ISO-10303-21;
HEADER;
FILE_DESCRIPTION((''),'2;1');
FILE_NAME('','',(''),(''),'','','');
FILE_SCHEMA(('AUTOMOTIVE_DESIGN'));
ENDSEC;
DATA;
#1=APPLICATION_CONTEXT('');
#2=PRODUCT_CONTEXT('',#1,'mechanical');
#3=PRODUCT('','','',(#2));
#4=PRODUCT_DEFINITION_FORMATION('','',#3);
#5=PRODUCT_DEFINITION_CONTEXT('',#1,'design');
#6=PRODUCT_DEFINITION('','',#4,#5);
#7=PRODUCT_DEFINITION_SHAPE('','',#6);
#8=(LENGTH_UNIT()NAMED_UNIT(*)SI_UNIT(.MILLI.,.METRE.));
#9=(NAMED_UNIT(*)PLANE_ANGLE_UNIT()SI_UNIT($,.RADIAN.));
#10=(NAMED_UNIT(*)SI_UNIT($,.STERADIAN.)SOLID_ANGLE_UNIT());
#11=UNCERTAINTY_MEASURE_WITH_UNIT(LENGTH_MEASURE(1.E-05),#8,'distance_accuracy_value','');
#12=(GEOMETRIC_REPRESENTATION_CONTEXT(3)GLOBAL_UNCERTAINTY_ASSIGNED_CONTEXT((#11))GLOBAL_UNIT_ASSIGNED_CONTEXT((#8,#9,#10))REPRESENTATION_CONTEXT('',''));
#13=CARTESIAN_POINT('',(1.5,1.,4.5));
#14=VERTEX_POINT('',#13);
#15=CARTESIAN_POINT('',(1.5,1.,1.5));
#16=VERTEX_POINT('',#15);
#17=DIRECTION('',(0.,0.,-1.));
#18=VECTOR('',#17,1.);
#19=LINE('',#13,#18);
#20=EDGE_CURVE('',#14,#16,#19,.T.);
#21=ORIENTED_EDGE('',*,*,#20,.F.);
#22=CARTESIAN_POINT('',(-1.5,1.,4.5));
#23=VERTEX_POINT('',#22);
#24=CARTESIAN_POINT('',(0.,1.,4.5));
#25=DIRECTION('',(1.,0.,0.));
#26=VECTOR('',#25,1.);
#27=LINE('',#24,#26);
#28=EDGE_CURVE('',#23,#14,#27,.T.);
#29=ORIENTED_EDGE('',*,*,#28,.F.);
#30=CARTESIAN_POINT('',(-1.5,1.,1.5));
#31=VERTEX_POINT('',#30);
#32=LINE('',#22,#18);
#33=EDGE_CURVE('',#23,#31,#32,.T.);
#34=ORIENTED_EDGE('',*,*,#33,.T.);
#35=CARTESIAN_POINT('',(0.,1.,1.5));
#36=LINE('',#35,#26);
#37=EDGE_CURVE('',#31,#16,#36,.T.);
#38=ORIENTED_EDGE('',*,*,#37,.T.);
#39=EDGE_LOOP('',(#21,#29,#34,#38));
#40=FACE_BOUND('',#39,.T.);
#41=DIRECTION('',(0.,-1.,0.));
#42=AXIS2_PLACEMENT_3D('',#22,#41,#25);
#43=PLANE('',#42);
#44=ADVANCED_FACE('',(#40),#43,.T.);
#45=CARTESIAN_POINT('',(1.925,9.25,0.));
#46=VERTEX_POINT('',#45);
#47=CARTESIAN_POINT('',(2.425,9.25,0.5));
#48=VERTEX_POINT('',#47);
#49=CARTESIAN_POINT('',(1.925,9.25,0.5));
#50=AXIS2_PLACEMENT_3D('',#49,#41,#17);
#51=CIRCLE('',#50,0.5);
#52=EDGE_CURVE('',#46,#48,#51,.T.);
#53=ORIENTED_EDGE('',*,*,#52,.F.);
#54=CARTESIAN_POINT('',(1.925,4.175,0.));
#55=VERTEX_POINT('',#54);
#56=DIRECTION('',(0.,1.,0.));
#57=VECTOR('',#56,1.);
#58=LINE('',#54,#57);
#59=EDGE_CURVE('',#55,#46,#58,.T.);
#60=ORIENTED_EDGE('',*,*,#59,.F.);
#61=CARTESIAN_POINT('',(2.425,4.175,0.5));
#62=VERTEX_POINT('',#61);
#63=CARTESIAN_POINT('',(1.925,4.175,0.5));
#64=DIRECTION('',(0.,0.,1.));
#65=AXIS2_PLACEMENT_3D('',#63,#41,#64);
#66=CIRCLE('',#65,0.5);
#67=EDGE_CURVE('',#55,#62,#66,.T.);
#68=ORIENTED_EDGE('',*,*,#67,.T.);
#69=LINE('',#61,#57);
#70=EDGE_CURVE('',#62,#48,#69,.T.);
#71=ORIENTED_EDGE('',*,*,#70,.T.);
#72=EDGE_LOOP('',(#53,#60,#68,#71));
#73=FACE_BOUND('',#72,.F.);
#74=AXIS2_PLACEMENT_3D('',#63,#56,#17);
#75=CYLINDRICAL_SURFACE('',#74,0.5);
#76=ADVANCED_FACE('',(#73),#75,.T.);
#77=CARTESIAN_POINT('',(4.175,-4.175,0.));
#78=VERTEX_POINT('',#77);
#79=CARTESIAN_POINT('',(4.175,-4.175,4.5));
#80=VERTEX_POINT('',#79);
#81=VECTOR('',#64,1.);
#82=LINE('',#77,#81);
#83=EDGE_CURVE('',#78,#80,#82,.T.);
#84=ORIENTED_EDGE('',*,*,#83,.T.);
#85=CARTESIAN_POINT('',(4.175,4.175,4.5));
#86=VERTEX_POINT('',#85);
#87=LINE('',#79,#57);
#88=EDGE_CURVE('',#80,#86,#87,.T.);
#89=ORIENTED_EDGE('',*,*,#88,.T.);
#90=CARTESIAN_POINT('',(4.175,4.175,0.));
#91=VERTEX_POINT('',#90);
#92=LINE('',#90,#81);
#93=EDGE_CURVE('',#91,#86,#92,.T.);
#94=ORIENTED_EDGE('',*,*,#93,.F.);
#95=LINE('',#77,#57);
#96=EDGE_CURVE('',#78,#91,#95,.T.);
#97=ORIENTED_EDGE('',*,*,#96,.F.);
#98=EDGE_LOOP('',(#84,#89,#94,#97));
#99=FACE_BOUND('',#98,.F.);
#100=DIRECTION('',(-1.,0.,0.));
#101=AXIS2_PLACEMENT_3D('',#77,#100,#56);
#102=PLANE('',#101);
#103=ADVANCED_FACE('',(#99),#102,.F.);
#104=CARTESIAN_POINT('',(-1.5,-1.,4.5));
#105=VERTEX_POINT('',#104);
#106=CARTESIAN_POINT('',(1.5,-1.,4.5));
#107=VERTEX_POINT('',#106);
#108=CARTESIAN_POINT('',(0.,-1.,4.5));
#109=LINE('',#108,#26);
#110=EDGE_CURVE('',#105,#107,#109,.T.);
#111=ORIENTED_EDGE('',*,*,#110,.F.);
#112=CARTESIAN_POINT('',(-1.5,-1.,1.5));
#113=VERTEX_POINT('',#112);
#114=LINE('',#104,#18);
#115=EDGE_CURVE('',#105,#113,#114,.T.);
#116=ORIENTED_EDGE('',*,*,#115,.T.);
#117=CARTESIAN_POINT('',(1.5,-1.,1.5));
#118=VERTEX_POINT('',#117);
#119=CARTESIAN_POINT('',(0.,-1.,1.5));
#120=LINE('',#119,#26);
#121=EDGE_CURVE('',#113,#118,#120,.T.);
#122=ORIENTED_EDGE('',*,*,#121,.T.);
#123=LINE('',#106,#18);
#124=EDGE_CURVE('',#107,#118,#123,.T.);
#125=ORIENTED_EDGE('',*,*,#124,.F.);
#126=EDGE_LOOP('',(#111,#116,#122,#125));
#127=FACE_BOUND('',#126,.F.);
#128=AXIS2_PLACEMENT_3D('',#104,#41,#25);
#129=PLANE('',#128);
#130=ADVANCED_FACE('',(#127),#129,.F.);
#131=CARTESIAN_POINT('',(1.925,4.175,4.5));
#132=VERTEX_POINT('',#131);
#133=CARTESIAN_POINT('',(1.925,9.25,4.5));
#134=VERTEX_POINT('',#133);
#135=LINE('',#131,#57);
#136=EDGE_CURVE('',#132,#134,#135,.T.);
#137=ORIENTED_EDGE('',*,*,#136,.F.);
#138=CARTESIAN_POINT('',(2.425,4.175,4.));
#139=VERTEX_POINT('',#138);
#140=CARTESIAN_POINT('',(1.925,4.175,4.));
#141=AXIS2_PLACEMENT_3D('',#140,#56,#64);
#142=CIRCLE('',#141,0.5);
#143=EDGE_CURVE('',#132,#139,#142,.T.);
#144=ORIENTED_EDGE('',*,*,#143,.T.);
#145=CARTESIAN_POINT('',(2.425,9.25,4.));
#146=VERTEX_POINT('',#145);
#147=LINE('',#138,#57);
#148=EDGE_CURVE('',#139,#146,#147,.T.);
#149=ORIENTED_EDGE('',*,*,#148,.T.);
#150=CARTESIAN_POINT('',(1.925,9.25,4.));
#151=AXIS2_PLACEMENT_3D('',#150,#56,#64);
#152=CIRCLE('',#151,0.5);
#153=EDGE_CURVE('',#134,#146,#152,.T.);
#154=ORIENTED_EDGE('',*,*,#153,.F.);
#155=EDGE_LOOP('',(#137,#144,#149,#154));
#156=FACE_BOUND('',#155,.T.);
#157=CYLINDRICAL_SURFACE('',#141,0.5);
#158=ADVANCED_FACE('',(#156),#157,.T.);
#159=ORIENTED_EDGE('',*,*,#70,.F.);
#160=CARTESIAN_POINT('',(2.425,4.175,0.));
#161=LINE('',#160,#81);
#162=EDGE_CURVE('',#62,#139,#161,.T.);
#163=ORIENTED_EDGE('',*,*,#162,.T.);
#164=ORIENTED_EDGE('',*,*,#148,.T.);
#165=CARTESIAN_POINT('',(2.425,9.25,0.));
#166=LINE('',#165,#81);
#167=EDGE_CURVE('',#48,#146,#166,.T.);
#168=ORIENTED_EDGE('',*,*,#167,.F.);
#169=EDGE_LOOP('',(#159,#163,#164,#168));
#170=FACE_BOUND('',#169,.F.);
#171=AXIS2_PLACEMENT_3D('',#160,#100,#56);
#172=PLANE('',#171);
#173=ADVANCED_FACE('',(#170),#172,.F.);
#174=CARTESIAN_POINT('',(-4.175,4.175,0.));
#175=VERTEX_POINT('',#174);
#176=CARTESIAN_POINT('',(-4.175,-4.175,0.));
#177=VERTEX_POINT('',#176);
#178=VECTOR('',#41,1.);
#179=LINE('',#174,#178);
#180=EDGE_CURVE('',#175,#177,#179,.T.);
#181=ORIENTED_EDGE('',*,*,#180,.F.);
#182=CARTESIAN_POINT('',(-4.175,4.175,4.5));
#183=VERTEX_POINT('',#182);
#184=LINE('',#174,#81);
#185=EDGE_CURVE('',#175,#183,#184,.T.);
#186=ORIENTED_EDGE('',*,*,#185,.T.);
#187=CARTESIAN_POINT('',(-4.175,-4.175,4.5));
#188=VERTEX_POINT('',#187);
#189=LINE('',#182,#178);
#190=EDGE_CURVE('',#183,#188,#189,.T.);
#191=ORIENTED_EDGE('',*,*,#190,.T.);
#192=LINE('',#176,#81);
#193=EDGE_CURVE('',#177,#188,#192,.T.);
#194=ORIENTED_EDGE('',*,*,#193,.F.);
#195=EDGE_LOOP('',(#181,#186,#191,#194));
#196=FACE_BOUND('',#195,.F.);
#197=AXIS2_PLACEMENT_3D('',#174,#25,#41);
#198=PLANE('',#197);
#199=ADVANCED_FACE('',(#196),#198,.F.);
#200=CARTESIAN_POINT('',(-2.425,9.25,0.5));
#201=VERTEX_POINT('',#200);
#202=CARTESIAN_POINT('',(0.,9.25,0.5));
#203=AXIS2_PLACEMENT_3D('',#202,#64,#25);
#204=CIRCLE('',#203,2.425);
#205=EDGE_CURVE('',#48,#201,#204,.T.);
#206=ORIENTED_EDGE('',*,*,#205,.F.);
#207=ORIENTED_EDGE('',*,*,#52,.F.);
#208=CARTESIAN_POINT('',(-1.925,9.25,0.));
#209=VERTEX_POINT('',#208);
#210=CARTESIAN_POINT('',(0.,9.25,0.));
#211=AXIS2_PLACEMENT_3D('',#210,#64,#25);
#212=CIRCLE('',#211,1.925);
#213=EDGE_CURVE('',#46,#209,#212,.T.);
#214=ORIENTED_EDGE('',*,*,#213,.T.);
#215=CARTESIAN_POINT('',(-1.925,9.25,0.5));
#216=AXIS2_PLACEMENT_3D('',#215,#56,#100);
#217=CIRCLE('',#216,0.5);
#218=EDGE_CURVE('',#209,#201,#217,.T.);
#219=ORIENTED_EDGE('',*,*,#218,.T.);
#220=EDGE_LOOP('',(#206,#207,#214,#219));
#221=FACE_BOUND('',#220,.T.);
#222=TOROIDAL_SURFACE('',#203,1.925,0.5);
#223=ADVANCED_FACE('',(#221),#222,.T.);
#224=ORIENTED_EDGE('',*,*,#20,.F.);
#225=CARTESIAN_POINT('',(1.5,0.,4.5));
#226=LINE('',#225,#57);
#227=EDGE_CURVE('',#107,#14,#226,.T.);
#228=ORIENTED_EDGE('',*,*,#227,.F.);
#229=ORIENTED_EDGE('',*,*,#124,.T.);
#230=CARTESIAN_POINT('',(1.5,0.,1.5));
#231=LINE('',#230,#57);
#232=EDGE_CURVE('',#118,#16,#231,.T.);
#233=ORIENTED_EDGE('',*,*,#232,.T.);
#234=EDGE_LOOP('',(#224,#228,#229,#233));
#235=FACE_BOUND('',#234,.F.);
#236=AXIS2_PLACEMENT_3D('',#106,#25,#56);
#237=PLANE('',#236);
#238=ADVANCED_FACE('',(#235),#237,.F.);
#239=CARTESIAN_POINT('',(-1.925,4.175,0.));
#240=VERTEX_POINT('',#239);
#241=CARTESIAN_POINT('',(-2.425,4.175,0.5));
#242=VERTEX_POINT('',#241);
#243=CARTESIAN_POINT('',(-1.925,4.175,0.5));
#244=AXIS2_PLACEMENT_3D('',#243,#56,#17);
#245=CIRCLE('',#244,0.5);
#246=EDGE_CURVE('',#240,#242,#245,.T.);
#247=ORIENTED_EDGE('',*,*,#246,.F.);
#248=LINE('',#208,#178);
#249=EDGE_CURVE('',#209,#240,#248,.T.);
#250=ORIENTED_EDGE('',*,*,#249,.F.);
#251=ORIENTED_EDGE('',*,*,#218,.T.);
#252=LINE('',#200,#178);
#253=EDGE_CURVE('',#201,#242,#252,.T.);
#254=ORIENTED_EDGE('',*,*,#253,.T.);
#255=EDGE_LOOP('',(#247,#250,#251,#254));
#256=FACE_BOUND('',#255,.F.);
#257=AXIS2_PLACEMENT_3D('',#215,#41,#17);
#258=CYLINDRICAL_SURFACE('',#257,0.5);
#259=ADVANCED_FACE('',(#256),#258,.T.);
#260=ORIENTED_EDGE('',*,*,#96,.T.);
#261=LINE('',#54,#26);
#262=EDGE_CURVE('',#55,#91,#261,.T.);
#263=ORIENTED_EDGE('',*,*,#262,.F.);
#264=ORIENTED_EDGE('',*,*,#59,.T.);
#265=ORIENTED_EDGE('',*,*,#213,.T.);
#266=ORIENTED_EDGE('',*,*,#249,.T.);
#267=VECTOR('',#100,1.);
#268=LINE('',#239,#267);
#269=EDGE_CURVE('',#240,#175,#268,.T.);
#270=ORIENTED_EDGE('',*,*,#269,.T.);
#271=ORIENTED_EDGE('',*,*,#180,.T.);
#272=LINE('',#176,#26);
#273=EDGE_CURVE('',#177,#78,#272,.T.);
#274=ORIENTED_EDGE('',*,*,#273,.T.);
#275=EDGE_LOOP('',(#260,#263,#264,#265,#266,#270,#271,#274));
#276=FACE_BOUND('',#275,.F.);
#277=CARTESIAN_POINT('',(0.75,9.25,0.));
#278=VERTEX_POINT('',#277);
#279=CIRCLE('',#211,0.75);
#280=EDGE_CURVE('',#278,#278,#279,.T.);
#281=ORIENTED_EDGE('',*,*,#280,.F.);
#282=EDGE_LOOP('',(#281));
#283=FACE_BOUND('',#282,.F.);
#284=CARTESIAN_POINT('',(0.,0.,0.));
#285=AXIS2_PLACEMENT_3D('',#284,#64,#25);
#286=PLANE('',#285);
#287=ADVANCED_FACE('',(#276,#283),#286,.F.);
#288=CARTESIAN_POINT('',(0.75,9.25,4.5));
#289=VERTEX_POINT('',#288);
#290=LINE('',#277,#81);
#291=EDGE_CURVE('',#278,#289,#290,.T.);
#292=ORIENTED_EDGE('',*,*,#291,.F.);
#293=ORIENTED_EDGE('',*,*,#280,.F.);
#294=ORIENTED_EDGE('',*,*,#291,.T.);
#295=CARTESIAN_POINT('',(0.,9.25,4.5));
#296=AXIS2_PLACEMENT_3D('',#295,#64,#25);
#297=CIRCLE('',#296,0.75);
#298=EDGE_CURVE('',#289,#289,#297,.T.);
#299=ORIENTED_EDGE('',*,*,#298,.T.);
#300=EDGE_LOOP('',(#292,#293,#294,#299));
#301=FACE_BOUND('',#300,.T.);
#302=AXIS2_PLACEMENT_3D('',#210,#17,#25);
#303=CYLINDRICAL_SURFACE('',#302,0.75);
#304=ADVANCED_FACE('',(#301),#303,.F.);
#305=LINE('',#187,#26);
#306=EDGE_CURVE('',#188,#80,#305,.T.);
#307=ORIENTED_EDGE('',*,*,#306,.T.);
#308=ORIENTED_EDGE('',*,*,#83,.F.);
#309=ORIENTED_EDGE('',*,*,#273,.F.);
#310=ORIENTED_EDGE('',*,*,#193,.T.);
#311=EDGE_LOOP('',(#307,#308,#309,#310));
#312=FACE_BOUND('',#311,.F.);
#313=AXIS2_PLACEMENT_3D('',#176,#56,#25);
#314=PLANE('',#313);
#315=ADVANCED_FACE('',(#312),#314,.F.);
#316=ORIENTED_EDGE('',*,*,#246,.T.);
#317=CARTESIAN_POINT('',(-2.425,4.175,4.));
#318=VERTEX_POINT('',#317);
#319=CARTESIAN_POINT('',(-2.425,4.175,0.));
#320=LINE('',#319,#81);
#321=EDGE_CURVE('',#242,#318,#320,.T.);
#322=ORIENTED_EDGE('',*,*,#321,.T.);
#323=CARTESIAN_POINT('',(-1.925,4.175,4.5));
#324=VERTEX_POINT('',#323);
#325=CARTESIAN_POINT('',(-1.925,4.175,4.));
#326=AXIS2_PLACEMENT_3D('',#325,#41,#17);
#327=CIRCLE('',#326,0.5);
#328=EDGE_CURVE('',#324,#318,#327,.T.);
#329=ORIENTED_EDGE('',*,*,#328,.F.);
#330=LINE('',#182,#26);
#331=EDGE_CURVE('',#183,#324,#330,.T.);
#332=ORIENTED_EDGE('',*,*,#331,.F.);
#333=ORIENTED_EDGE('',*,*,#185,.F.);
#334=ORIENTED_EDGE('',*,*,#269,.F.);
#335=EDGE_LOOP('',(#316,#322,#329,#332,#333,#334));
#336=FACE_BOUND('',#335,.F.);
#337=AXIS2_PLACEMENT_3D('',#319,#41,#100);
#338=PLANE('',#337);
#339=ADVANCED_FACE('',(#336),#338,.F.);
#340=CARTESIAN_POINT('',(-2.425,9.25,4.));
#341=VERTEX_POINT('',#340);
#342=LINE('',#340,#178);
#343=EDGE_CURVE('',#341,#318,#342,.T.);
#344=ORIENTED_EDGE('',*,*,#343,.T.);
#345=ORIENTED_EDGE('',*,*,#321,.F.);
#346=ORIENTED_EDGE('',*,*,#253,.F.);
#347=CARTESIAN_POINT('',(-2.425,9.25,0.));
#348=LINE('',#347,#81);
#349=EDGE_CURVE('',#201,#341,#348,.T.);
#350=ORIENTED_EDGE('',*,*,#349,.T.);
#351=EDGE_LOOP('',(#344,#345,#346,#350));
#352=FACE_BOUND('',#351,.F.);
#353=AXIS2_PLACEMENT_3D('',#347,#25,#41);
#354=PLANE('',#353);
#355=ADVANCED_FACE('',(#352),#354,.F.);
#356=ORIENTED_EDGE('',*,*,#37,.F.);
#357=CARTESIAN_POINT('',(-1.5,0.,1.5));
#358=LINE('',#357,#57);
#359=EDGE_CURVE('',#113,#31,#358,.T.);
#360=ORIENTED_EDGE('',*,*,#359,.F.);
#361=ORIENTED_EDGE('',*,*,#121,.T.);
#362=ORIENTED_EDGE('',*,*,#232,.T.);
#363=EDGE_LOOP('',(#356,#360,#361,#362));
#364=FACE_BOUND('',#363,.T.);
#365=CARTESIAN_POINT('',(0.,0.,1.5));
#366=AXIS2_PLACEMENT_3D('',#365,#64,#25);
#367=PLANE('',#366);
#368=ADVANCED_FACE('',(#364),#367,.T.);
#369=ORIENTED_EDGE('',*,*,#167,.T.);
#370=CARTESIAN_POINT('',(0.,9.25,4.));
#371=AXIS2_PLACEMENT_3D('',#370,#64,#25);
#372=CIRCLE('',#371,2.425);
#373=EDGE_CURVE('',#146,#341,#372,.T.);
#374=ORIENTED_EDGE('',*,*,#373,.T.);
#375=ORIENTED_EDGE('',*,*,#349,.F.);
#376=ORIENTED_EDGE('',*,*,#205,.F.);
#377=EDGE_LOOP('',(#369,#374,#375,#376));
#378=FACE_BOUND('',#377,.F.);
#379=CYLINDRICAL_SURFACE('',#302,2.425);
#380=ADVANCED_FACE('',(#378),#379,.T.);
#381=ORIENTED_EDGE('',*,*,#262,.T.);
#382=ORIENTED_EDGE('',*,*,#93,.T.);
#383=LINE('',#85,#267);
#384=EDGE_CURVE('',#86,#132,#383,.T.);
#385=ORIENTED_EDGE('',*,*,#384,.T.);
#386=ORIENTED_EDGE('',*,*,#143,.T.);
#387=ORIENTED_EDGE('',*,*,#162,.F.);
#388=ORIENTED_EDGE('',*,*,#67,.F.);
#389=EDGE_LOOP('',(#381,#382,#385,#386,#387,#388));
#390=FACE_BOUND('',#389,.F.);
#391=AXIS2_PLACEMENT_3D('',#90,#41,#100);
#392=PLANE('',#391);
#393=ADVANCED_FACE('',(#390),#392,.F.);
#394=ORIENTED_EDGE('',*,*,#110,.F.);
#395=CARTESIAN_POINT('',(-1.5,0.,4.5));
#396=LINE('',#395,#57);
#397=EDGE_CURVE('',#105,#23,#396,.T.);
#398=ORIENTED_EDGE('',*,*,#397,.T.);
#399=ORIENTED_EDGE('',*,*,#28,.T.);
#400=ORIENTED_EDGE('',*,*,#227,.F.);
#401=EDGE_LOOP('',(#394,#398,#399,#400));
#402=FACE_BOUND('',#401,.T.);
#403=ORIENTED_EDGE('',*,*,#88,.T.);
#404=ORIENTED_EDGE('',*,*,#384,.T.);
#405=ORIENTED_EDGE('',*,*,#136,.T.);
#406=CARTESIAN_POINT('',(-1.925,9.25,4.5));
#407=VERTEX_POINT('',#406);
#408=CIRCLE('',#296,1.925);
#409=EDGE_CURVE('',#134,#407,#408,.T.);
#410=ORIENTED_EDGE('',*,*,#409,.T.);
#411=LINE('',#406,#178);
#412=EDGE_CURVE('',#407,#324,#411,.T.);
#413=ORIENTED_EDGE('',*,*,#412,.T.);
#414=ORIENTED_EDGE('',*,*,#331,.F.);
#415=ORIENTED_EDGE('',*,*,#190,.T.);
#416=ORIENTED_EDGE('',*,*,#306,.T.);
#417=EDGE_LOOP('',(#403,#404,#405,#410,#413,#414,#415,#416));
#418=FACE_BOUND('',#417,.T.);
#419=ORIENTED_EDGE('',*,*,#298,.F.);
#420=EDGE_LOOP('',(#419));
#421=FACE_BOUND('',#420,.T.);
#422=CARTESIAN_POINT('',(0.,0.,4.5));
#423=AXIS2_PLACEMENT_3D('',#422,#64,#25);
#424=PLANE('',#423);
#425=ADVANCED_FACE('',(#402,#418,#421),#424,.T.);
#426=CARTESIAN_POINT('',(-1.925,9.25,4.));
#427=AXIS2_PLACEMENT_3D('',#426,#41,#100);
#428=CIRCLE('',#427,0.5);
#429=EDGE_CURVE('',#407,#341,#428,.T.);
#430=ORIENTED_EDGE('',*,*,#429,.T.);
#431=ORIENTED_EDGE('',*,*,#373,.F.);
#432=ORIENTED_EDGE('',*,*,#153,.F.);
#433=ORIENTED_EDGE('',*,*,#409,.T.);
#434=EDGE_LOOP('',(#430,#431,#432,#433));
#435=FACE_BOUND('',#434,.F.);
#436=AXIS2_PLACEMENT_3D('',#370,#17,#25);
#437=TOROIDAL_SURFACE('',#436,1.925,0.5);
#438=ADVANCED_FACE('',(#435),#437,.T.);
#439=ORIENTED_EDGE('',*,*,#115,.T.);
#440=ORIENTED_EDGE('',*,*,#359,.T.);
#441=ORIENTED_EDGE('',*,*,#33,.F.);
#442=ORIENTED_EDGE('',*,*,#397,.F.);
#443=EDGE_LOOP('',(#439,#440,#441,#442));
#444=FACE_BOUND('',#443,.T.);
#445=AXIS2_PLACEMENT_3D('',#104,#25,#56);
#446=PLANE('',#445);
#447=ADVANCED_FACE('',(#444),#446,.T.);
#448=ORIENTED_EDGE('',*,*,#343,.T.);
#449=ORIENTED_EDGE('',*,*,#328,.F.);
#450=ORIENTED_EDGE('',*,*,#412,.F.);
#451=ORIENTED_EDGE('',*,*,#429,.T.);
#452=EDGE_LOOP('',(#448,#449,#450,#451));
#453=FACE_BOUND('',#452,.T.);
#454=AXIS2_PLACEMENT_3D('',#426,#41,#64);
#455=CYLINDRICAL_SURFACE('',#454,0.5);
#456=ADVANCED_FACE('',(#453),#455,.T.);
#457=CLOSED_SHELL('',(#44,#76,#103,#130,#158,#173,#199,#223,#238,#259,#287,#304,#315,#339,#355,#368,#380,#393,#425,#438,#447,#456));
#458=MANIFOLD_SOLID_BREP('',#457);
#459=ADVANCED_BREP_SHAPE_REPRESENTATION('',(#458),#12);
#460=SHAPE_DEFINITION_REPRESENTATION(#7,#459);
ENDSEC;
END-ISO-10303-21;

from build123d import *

# Parameters (mm, degrees)
F0_R     = 0.75
F1_DEPTH = 4.5
F2_W     = 3
F2_H     = 2
F3_DEPTH = 3
F4_R     = 0.5


with BuildPart() as f1:
    # F0 (on Top) → F1 (new body)
    with BuildSketch(Plane.XY):
        Polygon((-2.425, 4.175), (-4.175, 4.175), (-4.175, -4.175), (4.175, -4.175), (4.175, 4.175), (2.425, 4.175), align=None)
        with BuildLine():
            Line((-2.425, 9.25), (-2.425, 4.175))
            Line((-2.425, 4.175), (2.425, 4.175))
            Line((2.425, 4.175), (2.425, 9.25))
            ThreePointArc((2.425, 9.25), (0, 11.675), (-2.425, 9.25))
        make_face()
        with Locations((0, 9.25)):
            Circle(F0_R, mode=Mode.SUBTRACT)
    extrude(amount=F1_DEPTH)

    # F2 (on face) → F3 (cut)
    with BuildSketch(Plane.XY.offset(4.5)):
        Rectangle(F2_W, F2_H)
    extrude(amount=-F3_DEPTH, mode=Mode.SUBTRACT)

    # F4
    f4_edges = [f1.edges().sort_by_distance(p)[0] for p in [
        (0, 11.675, 0),
        (2.425, 6.7125, 0),
        (-2.425, 6.7125, 0),
        (0, 11.675, 4.5),
        (2.425, 6.7125, 4.5),
        (-2.425, 6.7125, 4.5),
    ]]
    fillet(f4_edges, radius=F4_R)


solid = f1.part
